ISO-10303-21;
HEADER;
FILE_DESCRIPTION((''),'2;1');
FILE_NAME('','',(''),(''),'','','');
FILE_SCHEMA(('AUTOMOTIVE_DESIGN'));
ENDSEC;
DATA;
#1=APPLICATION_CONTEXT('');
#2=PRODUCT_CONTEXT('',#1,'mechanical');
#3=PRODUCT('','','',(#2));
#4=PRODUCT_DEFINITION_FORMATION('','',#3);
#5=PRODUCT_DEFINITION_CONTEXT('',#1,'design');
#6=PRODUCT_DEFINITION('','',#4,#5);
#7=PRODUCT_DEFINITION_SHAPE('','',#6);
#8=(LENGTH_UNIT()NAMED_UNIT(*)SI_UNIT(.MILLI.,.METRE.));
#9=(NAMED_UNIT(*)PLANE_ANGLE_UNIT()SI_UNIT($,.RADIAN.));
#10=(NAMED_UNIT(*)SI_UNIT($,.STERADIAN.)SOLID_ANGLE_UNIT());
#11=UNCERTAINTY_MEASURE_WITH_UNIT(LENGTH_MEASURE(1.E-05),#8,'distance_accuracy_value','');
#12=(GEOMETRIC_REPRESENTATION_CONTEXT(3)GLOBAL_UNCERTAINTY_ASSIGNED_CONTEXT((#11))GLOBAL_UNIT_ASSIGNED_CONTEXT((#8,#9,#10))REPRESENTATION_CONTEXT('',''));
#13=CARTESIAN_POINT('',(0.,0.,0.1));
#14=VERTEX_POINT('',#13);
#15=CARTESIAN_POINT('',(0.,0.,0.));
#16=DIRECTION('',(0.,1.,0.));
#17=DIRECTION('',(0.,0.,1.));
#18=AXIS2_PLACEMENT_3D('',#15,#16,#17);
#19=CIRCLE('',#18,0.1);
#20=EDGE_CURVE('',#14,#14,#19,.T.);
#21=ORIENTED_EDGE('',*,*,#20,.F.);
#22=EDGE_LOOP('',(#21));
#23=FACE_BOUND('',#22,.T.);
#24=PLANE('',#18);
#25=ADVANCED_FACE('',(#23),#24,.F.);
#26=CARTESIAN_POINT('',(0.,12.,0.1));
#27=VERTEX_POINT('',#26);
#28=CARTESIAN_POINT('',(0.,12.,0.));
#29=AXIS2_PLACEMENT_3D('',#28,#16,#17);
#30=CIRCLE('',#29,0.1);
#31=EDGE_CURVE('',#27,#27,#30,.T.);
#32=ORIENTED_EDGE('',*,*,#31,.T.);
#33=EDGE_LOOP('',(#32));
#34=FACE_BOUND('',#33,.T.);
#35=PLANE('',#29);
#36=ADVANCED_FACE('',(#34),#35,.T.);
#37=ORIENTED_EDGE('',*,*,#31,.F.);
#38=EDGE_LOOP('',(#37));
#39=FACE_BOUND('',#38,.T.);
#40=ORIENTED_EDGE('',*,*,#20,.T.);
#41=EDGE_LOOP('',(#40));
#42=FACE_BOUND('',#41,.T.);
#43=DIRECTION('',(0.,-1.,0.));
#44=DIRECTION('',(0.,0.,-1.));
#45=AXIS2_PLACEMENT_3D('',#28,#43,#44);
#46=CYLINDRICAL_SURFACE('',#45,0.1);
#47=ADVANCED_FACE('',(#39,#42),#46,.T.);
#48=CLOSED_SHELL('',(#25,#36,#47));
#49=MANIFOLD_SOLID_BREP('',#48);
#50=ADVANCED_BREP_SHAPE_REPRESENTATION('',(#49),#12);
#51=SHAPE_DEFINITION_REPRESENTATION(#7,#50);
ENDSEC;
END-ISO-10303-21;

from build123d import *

# Parameters (mm, degrees)
SKETCH_1_R      = 0.1
EXTRUDE_1_DEPTH = 12


with BuildPart() as part:
    # Эскиз1 → Бобышка-Вытянуть1 (new body)
    with BuildSketch(Plane(origin=(0, 0, 0), x_dir=(1, 0, 0), z_dir=(0, 1, 0))):
        with Locations(Location((0, 0, 0), (0, 0, 270))):
            Circle(SKETCH_1_R)
    extrude(amount=EXTRUDE_1_DEPTH)


solid = part.part
